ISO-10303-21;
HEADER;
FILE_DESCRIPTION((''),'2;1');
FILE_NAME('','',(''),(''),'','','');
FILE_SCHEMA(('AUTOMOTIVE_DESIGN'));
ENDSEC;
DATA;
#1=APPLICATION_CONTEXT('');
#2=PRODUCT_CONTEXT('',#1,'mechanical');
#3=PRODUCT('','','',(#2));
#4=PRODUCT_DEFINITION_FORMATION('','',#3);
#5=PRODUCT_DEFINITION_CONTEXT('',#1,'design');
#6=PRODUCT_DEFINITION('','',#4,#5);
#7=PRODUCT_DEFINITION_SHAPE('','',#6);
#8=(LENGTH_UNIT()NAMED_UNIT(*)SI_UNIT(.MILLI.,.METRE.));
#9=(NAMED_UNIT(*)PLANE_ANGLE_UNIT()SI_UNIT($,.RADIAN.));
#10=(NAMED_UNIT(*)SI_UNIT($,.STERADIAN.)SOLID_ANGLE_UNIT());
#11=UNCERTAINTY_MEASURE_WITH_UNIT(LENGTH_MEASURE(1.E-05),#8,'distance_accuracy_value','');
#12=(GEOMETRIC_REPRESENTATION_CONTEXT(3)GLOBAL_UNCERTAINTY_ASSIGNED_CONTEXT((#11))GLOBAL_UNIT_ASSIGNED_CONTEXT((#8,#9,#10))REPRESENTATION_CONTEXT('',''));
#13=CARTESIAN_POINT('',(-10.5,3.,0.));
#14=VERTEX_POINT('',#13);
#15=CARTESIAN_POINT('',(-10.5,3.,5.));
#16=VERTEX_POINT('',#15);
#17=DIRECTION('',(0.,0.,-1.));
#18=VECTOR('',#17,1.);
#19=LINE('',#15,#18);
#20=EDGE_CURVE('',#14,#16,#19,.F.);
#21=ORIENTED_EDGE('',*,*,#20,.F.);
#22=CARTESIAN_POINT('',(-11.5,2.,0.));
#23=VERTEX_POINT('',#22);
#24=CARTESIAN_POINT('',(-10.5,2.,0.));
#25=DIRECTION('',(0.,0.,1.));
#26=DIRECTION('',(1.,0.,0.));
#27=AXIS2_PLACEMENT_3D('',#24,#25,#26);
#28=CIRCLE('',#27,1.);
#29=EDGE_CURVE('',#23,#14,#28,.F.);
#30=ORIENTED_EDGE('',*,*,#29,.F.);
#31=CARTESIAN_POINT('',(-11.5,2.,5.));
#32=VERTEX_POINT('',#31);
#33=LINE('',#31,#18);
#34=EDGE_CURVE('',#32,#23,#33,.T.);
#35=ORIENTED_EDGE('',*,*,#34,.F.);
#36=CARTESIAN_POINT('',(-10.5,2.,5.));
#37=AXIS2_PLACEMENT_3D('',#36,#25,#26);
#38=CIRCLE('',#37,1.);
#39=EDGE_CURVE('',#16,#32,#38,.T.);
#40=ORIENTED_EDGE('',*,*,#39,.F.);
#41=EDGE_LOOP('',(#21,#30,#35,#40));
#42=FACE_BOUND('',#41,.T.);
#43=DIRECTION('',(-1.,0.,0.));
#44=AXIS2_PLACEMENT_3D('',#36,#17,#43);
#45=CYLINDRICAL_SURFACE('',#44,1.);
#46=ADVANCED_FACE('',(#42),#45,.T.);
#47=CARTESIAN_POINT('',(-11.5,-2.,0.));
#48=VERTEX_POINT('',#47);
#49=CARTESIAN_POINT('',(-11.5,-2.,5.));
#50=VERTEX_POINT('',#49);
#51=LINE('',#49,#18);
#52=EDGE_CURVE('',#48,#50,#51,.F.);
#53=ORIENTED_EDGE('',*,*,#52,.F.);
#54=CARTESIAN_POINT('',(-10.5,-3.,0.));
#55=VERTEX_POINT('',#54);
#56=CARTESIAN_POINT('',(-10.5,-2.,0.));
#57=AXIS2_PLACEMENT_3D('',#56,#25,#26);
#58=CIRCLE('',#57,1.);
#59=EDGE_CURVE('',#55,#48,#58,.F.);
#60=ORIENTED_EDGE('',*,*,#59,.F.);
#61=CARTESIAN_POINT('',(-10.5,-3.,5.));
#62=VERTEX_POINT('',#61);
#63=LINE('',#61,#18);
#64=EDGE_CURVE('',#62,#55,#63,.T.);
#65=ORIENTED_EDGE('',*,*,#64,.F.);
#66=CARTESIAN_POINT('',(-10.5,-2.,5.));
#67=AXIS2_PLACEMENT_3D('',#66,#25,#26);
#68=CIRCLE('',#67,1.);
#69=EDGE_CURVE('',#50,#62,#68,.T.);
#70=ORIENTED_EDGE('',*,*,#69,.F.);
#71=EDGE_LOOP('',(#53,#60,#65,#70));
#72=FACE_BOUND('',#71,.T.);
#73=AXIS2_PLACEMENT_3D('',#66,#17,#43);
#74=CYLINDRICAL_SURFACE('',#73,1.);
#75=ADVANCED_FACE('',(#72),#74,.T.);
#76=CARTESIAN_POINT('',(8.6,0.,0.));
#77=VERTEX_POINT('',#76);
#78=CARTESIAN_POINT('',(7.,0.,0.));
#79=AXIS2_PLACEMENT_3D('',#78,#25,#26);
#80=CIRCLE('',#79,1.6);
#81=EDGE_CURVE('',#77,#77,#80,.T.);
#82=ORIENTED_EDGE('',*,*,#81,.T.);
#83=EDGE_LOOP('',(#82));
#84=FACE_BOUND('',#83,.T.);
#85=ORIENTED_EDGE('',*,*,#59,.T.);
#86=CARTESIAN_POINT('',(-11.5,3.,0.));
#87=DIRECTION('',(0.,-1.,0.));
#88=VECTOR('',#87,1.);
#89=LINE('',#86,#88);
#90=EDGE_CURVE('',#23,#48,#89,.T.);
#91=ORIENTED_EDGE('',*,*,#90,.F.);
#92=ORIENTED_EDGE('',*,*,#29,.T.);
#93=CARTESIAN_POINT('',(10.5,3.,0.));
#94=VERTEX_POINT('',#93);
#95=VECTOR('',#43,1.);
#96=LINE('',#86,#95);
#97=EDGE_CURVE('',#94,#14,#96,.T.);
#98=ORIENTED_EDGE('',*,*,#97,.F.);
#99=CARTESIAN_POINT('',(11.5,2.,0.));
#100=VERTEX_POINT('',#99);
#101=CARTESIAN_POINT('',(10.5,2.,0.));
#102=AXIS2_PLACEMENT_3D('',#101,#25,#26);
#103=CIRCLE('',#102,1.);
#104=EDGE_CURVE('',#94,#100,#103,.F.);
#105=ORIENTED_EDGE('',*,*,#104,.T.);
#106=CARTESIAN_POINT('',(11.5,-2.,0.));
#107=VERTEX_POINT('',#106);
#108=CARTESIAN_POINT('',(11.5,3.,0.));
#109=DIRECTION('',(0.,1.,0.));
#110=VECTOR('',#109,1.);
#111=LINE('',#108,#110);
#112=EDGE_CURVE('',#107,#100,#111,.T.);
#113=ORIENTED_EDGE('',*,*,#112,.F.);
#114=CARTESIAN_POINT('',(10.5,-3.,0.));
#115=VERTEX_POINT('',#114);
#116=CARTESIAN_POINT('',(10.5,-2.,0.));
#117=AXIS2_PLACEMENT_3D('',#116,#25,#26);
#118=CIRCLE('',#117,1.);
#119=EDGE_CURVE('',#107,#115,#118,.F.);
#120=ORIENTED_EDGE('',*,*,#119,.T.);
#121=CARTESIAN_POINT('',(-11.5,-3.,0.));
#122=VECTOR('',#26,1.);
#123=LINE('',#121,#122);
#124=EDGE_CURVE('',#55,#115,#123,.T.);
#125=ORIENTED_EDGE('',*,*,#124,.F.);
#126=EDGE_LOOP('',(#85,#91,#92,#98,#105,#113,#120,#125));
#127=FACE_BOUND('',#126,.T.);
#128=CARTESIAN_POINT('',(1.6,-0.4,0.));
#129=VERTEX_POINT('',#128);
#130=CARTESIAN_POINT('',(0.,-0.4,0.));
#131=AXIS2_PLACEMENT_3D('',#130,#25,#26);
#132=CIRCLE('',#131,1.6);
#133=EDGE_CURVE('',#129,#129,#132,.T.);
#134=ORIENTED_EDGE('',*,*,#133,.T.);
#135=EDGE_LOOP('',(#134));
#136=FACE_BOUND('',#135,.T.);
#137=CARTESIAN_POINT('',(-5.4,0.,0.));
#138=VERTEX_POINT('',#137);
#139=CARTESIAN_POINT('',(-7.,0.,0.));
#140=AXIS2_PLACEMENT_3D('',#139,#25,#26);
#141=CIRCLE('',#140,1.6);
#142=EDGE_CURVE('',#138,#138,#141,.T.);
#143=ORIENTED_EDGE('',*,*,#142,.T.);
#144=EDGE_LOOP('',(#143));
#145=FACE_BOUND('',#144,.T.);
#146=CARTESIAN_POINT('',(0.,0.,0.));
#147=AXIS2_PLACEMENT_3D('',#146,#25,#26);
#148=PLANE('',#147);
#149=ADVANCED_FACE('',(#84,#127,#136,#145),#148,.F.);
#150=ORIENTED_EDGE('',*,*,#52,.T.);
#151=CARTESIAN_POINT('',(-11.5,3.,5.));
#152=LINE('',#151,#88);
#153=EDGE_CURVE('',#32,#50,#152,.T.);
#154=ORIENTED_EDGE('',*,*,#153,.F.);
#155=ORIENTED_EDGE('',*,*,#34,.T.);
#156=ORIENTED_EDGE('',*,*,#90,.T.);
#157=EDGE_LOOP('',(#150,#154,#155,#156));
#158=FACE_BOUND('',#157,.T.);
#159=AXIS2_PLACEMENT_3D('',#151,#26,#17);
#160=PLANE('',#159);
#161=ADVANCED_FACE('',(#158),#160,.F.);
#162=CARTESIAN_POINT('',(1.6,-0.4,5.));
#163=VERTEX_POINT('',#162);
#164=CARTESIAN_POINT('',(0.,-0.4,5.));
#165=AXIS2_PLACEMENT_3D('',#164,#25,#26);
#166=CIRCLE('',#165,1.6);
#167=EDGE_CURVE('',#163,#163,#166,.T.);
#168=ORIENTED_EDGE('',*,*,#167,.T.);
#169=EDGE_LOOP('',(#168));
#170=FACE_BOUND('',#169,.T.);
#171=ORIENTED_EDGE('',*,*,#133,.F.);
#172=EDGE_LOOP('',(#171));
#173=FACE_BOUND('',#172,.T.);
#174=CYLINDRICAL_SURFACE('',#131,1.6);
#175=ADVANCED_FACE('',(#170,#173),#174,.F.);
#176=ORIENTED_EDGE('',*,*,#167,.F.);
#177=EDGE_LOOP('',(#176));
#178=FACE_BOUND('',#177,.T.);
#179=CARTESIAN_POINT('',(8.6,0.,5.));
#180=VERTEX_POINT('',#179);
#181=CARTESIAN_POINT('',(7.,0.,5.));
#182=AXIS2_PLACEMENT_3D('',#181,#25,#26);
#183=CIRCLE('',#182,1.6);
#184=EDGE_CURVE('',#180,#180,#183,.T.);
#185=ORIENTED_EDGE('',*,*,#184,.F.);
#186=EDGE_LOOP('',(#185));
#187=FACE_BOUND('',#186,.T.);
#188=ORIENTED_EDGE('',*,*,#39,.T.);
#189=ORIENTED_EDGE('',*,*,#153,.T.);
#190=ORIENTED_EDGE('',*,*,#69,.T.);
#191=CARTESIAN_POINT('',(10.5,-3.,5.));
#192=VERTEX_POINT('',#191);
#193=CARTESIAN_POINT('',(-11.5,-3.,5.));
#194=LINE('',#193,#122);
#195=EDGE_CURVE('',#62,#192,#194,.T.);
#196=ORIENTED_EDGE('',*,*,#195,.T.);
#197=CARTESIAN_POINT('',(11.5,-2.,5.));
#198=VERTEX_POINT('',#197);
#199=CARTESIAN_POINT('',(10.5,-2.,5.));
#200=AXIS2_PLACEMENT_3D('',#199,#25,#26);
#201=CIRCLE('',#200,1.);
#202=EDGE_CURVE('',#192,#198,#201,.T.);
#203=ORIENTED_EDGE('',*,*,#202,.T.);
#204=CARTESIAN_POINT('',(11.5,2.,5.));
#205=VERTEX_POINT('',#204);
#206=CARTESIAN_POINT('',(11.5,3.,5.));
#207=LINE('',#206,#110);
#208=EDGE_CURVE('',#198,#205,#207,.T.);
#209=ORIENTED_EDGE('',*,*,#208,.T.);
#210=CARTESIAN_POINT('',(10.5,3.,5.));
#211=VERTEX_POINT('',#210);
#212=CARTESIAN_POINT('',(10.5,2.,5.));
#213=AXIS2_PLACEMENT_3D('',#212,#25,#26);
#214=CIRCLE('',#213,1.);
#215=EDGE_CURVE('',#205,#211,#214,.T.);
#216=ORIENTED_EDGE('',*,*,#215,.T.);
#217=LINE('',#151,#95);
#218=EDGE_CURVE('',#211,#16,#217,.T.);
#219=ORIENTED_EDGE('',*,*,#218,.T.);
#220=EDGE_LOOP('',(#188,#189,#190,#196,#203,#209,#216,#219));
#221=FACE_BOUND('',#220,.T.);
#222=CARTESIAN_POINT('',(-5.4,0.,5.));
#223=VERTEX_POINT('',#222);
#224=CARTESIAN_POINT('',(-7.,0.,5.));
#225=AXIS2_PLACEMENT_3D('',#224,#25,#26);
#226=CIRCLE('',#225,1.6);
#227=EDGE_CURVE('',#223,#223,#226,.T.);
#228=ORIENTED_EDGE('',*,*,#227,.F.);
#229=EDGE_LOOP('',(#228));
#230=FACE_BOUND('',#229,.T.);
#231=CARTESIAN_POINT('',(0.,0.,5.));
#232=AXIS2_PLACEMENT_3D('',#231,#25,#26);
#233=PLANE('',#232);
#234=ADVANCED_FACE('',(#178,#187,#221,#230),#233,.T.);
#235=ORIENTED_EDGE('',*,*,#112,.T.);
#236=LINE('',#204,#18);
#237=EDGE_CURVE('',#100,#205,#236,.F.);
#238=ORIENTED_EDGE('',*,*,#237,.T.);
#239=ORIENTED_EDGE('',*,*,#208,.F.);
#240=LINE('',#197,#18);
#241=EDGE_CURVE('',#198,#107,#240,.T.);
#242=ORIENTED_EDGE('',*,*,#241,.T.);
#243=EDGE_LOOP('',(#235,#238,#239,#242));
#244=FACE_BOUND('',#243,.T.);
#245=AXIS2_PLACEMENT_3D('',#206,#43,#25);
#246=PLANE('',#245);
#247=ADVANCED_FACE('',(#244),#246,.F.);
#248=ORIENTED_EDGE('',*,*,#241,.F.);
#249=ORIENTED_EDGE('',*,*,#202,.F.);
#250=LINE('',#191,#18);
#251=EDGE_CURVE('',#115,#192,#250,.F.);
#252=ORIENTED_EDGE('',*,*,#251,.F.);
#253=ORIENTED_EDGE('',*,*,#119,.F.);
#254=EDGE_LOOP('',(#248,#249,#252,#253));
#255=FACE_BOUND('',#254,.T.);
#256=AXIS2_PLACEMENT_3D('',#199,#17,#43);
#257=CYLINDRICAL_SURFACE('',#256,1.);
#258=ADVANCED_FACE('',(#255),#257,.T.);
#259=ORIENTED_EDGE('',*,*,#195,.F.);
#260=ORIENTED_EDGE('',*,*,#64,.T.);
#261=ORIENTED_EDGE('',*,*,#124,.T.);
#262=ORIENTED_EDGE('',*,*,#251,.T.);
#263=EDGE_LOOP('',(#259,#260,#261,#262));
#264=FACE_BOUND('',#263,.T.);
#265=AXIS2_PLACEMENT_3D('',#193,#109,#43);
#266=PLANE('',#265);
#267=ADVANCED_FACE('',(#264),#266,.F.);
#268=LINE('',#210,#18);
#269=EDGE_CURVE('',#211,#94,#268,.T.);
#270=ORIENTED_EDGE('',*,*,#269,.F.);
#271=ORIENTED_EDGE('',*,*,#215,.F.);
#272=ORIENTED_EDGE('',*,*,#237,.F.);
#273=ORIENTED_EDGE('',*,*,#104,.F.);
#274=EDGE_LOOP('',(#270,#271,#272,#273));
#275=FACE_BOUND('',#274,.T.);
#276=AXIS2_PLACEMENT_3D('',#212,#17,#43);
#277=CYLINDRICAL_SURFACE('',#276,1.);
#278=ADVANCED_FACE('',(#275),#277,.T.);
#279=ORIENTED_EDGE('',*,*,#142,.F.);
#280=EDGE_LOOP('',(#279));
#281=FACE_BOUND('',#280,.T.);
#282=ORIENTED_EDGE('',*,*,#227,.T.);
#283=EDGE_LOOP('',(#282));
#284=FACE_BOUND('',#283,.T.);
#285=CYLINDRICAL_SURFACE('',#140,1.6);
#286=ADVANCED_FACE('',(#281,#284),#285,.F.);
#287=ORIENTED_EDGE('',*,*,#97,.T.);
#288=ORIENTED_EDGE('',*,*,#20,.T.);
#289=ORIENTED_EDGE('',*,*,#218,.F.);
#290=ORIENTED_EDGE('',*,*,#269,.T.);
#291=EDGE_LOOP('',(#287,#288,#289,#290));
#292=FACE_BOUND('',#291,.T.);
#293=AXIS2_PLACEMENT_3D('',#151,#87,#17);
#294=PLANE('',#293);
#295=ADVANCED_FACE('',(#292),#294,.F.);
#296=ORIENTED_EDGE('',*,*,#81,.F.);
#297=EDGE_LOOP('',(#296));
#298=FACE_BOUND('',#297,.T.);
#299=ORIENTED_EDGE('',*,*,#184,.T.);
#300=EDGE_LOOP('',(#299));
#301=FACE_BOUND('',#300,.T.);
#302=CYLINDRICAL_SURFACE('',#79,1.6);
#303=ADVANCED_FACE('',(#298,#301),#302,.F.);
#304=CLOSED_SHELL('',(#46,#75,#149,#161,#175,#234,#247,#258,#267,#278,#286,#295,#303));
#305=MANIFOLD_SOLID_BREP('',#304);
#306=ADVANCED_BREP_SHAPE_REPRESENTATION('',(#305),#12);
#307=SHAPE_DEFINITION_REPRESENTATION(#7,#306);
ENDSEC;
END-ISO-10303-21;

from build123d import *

# Parameters (mm, degrees)
SKETCH_1_W          = 23
SKETCH_1_H          = 6
EXTRUDE_1_DEPTH     = 5
SKETCH_2_R          = 1.6
CUT_EXTRUDE_1_DEPTH = 5
FILLET_1_R          = 1


with BuildPart() as part:
    # 草图1 → 凸台-拉伸1 (new body)
    with BuildSketch(Plane.XY):
        Rectangle(SKETCH_1_W, SKETCH_1_H)
    extrude(amount=EXTRUDE_1_DEPTH)

    # 草图2 → 切除-拉伸1 (cut)
    with BuildSketch(Plane.XY.offset(5)):
        with Locations((-7, 0)):
            Circle(SKETCH_2_R)
        with Locations((7, 0)):
            Circle(SKETCH_2_R)
        with Locations((0, -0.4)):
            Circle(SKETCH_2_R)
    extrude(amount=-CUT_EXTRUDE_1_DEPTH, mode=Mode.SUBTRACT)

    # 圆角1
    fillet_1_edges = [part.edges().sort_by_distance(p)[0] for p in [
        (11.5, -3, 2.5),
        (-11.5, -3, 2.5),
        (-11.5, 3, 2.5),
        (11.5, 3, 2.5),
    ]]
    fillet(fillet_1_edges, radius=FILLET_1_R)


solid = part.part
